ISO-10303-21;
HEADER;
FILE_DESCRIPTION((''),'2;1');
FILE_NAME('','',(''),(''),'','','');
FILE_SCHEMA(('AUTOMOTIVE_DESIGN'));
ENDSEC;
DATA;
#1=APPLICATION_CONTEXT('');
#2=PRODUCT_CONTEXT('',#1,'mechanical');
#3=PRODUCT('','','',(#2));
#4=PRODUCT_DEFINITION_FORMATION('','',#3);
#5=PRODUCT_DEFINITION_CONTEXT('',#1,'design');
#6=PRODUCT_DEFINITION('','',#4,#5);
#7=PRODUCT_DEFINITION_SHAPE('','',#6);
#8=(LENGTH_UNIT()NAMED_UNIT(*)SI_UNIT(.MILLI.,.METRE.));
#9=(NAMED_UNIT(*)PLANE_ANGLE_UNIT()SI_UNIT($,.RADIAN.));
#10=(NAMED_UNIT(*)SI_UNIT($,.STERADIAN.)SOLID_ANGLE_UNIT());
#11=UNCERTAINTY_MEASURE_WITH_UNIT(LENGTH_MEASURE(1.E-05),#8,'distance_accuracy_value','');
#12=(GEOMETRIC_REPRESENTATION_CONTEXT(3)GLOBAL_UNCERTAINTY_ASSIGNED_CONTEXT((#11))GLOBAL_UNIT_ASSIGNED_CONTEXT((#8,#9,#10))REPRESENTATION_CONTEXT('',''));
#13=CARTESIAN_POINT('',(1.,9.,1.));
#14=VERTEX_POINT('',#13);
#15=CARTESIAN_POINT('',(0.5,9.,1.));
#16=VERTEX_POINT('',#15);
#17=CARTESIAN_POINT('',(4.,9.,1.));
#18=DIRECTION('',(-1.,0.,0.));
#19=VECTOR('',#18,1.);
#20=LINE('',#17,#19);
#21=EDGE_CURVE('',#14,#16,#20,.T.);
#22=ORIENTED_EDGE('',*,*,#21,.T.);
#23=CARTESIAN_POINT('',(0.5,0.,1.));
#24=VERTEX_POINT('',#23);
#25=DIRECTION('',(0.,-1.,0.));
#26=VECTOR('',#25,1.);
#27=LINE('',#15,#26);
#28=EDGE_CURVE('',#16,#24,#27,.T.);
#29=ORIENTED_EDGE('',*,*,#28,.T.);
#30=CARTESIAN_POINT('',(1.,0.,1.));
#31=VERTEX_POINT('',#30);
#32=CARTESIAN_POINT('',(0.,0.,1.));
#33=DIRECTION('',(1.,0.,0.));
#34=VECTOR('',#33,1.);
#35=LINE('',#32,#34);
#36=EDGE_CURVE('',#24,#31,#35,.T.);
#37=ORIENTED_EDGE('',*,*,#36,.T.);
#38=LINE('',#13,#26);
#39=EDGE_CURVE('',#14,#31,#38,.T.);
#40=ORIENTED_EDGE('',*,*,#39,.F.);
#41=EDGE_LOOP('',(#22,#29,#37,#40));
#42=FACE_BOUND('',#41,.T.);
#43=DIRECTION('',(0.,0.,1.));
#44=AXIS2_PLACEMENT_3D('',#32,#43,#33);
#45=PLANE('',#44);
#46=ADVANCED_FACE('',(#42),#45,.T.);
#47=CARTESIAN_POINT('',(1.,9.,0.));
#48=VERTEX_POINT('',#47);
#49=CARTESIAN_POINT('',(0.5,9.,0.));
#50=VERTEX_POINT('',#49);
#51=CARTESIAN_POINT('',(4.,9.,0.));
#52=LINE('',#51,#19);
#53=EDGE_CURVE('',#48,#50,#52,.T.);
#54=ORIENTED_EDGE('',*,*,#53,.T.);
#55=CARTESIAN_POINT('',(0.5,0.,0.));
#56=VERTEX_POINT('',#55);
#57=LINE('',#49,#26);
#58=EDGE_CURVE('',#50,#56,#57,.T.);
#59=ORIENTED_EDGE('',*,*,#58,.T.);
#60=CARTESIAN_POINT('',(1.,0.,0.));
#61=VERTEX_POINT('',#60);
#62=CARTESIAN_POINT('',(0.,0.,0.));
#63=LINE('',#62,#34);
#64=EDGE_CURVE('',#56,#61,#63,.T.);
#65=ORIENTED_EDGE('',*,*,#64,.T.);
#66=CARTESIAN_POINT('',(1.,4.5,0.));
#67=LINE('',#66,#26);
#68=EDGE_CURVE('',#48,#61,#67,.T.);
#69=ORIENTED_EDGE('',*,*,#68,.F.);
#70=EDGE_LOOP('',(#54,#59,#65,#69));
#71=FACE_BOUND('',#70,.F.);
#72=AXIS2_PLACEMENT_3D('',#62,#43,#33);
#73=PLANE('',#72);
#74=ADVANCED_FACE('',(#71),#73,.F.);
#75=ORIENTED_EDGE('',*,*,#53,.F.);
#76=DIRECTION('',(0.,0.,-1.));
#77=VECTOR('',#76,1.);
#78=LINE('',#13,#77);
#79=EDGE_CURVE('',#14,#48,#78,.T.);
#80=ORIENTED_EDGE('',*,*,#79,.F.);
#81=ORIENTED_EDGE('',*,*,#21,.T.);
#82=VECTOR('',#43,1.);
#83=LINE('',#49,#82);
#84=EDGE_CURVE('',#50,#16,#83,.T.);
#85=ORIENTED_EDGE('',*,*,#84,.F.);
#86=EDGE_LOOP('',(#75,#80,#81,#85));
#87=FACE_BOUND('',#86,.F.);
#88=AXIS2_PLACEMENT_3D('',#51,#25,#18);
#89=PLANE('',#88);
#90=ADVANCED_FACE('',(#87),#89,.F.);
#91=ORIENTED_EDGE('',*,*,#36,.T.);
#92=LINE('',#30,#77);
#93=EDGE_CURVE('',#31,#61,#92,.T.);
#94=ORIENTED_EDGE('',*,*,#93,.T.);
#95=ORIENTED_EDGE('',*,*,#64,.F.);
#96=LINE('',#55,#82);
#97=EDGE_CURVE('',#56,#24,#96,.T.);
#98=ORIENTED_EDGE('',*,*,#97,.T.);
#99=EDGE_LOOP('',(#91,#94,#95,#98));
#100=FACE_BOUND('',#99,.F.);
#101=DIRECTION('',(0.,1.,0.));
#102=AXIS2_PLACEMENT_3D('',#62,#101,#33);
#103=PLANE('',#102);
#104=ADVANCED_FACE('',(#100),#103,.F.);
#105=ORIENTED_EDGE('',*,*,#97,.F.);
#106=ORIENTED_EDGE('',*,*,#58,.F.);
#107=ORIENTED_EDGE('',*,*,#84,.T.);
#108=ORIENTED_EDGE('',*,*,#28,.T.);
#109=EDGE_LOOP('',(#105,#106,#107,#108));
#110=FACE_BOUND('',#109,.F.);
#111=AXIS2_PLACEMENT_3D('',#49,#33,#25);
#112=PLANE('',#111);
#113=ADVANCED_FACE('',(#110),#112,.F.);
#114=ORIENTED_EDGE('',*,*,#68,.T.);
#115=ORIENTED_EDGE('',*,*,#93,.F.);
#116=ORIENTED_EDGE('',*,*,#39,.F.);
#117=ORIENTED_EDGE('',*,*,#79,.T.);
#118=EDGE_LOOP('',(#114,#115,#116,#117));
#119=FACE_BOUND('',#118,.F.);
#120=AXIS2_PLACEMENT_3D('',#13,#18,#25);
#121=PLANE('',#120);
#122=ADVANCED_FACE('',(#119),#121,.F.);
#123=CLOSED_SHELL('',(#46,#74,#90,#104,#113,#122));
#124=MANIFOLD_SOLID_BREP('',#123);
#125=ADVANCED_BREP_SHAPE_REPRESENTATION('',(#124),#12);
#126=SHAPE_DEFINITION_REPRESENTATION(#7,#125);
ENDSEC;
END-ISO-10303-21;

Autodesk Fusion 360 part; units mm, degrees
sketch "Sketch1" plane through (0, 0, 0) normal (0, 0, 1) x (1, 0, 0)
  line L0 (0, 0) -> (4, 0)
  line L1 (4, 0) -> (4, 9)
  line L2 (4, 9) -> (0, 9)
  line L3 (0, 9) -> (0, 0)
  line L4 (4, 9) -> (3, 8.5)
  line L5 (3, 8.5) -> (4, 8)
  line L6 (4, 8) -> (3, 7.5)
  line L7 (3, 7.5) -> (4, 7)
  line L8 (4, 7) -> (3, 6.5)
  line L9 (3, 6.5) -> (4, 6)
  line L10 (4, 6) -> (3, 5.5)
  line L11 (3, 5.5) -> (4, 5)
  line L12 (4, 5) -> (3, 4.5)
  line L13 (3, 4.5) -> (4, 4)
  line L14 (4, 4) -> (3, 3.5)
  line L15 (3, 3.5) -> (4, 3)
  line L16 (4, 3) -> (3, 2.5)
  line L17 (3, 2.5) -> (4, 2)
  line L18 (4, 2) -> (3, 1.5)
  line L19 (3, 1.5) -> (4, 1)
  line L20 (4, 1) -> (3, 0.5)
  line L21 (3, 0.5) -> (4, 0)
  dimension "d1" = 4
  dimension "d2" = 9
extrude "Extrude1" add sketch "Sketch1" along normal blind 1 contours L0 L2 L3 L4 L5 L6 L7 L8 L9 L10 L11 L12 L13 L14 L15 L16 L17 L18 L19 L20 L21
extrude "Extrude2" cut 1 faces at (0, 6, 0.3333) along direction (1, 0, 0) blind 0.5
sketch "Sketch2" plane through (0, 0, 1) normal (0, 0, 1) x (-1, 0, 0)
  line L0 (-0.5, -9) -> (-0.5, 0)
  line L1 (-0.5, 0) -> (-4, 0)
  line L2 (-4, 0) -> (-3, -0.5)
  line L3 (-3, -0.5) -> (-4, -1)
  line L4 (-4, -1) -> (-3, -1.5)
  line L5 (-3, -1.5) -> (-4, -2)
  line L6 (-4, -2) -> (-3, -2.5)
  line L7 (-3, -2.5) -> (-4, -3)
  line L8 (-4, -3) -> (-3, -3.5)
  line L9 (-3, -3.5) -> (-4, -4)
  line L10 (-4, -4) -> (-3, -4.5)
  line L11 (-3, -4.5) -> (-4, -5)
  line L12 (-4, -5) -> (-3, -5.5)
  line L13 (-3, -5.5) -> (-4, -6)
  line L14 (-4, -6) -> (-3, -6.5)
  line L15 (-3, -6.5) -> (-4, -7)
  line L16 (-4, -7) -> (-3, -7.5)
  line L17 (-3, -7.5) -> (-4, -8)
  line L18 (-4, -8) -> (-3, -8.5)
  line L19 (-3, -8.5) -> (-4, -9)
  line L20 (-4, -9) -> (-0.5, -9)
  line L21 (-0.5, -9) -> (-1, -9)
  line L22 (-1, -9) -> (-1, 0)
  line L23 (-1, 0) -> (-0.5, 0)
  line L24 (-0.5, 0) -> (-0.5, -9)
  dimension "d7" = 0.5
extrude "Extrude3" cut sketch "Sketch2" against normal blind 3.4 contours L1 L2 L3 L4 L5 L6 L7 L8 L9 L10 L11 L12 L13 L14 L15 L16 L17 L18 L19 L20 L22
